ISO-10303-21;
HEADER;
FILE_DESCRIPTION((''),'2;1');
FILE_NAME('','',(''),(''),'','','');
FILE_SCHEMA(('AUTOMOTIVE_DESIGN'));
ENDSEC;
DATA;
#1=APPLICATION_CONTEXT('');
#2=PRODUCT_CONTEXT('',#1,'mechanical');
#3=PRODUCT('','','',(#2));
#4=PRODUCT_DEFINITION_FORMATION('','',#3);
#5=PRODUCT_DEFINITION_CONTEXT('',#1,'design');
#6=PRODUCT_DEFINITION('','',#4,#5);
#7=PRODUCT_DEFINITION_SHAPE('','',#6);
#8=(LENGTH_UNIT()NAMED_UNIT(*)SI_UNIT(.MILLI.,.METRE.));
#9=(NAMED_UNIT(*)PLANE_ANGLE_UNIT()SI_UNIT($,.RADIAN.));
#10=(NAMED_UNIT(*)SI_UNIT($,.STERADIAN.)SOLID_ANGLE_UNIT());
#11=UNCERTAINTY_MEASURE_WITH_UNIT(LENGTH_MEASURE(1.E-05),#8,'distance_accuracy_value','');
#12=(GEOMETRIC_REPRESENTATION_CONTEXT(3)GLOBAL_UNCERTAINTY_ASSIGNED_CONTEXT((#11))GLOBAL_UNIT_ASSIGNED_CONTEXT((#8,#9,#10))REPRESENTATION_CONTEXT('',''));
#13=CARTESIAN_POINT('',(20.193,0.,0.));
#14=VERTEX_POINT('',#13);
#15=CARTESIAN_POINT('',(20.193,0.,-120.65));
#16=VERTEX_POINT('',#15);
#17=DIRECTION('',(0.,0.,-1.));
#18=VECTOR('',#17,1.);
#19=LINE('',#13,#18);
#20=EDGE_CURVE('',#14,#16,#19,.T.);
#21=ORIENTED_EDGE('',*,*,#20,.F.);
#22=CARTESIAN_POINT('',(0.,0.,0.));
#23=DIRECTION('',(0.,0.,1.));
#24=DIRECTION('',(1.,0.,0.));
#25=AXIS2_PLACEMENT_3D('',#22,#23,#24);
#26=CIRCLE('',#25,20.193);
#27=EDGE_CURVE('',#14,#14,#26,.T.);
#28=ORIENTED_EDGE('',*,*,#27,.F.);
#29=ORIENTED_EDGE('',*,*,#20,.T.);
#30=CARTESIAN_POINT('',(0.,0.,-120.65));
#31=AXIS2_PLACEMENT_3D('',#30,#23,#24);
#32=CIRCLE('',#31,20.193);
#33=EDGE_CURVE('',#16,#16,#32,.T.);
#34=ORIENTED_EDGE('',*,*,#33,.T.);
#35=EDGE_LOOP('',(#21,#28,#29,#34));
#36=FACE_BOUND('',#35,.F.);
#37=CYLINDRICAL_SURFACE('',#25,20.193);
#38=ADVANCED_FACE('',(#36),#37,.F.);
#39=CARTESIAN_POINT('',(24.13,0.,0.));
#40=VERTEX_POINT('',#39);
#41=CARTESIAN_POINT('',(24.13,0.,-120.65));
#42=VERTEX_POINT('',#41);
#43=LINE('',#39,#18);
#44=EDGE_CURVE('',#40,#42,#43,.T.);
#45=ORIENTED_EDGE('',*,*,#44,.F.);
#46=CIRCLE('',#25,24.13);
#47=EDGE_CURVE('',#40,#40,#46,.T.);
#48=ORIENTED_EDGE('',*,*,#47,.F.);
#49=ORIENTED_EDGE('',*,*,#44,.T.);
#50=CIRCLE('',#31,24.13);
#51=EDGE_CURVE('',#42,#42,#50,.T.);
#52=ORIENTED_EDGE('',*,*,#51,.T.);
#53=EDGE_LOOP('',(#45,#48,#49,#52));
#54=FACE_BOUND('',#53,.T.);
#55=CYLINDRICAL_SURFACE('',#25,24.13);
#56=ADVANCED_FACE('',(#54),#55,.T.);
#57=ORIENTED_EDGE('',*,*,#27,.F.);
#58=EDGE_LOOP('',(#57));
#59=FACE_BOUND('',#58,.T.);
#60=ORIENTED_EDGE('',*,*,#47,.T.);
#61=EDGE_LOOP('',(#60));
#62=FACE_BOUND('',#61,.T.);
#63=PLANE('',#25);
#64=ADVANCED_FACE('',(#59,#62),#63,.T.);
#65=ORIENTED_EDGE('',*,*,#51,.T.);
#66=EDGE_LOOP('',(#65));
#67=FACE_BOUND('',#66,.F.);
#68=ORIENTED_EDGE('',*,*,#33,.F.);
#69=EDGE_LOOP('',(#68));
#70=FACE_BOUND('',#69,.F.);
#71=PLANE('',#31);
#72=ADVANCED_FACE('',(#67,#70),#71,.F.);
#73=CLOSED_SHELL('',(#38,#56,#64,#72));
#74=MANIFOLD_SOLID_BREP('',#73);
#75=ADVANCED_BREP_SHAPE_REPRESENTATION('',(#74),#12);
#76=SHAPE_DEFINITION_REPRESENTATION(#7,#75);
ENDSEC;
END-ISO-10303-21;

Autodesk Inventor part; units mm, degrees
ref_plane "YZ Plane" through (0, 0, 0) normal (1, 0, 0) x (0, 1, 0)
ref_plane "XZ Plane" through (0, 0, 0) normal (0, 1, 0) x (-1, 0, 0)
ref_plane "XY Plane" through (0, 0, 0) normal (0, 0, 1) x (1, 0, 0)
sketch "Sketch1" plane through (0, 0, 0) normal (0, 0, 1) x (1, 0, 0)
  circle A0 centre (0, 0) radius 24.13
  circle A1 centre (0, 0) radius 20.193
  dimension "d0" = 48.26
  dimension "d2" = 40.386
extrude "Extrusion1" add sketch "Sketch1" against normal blind 120.65
properties part number "bambar pvc roller"
